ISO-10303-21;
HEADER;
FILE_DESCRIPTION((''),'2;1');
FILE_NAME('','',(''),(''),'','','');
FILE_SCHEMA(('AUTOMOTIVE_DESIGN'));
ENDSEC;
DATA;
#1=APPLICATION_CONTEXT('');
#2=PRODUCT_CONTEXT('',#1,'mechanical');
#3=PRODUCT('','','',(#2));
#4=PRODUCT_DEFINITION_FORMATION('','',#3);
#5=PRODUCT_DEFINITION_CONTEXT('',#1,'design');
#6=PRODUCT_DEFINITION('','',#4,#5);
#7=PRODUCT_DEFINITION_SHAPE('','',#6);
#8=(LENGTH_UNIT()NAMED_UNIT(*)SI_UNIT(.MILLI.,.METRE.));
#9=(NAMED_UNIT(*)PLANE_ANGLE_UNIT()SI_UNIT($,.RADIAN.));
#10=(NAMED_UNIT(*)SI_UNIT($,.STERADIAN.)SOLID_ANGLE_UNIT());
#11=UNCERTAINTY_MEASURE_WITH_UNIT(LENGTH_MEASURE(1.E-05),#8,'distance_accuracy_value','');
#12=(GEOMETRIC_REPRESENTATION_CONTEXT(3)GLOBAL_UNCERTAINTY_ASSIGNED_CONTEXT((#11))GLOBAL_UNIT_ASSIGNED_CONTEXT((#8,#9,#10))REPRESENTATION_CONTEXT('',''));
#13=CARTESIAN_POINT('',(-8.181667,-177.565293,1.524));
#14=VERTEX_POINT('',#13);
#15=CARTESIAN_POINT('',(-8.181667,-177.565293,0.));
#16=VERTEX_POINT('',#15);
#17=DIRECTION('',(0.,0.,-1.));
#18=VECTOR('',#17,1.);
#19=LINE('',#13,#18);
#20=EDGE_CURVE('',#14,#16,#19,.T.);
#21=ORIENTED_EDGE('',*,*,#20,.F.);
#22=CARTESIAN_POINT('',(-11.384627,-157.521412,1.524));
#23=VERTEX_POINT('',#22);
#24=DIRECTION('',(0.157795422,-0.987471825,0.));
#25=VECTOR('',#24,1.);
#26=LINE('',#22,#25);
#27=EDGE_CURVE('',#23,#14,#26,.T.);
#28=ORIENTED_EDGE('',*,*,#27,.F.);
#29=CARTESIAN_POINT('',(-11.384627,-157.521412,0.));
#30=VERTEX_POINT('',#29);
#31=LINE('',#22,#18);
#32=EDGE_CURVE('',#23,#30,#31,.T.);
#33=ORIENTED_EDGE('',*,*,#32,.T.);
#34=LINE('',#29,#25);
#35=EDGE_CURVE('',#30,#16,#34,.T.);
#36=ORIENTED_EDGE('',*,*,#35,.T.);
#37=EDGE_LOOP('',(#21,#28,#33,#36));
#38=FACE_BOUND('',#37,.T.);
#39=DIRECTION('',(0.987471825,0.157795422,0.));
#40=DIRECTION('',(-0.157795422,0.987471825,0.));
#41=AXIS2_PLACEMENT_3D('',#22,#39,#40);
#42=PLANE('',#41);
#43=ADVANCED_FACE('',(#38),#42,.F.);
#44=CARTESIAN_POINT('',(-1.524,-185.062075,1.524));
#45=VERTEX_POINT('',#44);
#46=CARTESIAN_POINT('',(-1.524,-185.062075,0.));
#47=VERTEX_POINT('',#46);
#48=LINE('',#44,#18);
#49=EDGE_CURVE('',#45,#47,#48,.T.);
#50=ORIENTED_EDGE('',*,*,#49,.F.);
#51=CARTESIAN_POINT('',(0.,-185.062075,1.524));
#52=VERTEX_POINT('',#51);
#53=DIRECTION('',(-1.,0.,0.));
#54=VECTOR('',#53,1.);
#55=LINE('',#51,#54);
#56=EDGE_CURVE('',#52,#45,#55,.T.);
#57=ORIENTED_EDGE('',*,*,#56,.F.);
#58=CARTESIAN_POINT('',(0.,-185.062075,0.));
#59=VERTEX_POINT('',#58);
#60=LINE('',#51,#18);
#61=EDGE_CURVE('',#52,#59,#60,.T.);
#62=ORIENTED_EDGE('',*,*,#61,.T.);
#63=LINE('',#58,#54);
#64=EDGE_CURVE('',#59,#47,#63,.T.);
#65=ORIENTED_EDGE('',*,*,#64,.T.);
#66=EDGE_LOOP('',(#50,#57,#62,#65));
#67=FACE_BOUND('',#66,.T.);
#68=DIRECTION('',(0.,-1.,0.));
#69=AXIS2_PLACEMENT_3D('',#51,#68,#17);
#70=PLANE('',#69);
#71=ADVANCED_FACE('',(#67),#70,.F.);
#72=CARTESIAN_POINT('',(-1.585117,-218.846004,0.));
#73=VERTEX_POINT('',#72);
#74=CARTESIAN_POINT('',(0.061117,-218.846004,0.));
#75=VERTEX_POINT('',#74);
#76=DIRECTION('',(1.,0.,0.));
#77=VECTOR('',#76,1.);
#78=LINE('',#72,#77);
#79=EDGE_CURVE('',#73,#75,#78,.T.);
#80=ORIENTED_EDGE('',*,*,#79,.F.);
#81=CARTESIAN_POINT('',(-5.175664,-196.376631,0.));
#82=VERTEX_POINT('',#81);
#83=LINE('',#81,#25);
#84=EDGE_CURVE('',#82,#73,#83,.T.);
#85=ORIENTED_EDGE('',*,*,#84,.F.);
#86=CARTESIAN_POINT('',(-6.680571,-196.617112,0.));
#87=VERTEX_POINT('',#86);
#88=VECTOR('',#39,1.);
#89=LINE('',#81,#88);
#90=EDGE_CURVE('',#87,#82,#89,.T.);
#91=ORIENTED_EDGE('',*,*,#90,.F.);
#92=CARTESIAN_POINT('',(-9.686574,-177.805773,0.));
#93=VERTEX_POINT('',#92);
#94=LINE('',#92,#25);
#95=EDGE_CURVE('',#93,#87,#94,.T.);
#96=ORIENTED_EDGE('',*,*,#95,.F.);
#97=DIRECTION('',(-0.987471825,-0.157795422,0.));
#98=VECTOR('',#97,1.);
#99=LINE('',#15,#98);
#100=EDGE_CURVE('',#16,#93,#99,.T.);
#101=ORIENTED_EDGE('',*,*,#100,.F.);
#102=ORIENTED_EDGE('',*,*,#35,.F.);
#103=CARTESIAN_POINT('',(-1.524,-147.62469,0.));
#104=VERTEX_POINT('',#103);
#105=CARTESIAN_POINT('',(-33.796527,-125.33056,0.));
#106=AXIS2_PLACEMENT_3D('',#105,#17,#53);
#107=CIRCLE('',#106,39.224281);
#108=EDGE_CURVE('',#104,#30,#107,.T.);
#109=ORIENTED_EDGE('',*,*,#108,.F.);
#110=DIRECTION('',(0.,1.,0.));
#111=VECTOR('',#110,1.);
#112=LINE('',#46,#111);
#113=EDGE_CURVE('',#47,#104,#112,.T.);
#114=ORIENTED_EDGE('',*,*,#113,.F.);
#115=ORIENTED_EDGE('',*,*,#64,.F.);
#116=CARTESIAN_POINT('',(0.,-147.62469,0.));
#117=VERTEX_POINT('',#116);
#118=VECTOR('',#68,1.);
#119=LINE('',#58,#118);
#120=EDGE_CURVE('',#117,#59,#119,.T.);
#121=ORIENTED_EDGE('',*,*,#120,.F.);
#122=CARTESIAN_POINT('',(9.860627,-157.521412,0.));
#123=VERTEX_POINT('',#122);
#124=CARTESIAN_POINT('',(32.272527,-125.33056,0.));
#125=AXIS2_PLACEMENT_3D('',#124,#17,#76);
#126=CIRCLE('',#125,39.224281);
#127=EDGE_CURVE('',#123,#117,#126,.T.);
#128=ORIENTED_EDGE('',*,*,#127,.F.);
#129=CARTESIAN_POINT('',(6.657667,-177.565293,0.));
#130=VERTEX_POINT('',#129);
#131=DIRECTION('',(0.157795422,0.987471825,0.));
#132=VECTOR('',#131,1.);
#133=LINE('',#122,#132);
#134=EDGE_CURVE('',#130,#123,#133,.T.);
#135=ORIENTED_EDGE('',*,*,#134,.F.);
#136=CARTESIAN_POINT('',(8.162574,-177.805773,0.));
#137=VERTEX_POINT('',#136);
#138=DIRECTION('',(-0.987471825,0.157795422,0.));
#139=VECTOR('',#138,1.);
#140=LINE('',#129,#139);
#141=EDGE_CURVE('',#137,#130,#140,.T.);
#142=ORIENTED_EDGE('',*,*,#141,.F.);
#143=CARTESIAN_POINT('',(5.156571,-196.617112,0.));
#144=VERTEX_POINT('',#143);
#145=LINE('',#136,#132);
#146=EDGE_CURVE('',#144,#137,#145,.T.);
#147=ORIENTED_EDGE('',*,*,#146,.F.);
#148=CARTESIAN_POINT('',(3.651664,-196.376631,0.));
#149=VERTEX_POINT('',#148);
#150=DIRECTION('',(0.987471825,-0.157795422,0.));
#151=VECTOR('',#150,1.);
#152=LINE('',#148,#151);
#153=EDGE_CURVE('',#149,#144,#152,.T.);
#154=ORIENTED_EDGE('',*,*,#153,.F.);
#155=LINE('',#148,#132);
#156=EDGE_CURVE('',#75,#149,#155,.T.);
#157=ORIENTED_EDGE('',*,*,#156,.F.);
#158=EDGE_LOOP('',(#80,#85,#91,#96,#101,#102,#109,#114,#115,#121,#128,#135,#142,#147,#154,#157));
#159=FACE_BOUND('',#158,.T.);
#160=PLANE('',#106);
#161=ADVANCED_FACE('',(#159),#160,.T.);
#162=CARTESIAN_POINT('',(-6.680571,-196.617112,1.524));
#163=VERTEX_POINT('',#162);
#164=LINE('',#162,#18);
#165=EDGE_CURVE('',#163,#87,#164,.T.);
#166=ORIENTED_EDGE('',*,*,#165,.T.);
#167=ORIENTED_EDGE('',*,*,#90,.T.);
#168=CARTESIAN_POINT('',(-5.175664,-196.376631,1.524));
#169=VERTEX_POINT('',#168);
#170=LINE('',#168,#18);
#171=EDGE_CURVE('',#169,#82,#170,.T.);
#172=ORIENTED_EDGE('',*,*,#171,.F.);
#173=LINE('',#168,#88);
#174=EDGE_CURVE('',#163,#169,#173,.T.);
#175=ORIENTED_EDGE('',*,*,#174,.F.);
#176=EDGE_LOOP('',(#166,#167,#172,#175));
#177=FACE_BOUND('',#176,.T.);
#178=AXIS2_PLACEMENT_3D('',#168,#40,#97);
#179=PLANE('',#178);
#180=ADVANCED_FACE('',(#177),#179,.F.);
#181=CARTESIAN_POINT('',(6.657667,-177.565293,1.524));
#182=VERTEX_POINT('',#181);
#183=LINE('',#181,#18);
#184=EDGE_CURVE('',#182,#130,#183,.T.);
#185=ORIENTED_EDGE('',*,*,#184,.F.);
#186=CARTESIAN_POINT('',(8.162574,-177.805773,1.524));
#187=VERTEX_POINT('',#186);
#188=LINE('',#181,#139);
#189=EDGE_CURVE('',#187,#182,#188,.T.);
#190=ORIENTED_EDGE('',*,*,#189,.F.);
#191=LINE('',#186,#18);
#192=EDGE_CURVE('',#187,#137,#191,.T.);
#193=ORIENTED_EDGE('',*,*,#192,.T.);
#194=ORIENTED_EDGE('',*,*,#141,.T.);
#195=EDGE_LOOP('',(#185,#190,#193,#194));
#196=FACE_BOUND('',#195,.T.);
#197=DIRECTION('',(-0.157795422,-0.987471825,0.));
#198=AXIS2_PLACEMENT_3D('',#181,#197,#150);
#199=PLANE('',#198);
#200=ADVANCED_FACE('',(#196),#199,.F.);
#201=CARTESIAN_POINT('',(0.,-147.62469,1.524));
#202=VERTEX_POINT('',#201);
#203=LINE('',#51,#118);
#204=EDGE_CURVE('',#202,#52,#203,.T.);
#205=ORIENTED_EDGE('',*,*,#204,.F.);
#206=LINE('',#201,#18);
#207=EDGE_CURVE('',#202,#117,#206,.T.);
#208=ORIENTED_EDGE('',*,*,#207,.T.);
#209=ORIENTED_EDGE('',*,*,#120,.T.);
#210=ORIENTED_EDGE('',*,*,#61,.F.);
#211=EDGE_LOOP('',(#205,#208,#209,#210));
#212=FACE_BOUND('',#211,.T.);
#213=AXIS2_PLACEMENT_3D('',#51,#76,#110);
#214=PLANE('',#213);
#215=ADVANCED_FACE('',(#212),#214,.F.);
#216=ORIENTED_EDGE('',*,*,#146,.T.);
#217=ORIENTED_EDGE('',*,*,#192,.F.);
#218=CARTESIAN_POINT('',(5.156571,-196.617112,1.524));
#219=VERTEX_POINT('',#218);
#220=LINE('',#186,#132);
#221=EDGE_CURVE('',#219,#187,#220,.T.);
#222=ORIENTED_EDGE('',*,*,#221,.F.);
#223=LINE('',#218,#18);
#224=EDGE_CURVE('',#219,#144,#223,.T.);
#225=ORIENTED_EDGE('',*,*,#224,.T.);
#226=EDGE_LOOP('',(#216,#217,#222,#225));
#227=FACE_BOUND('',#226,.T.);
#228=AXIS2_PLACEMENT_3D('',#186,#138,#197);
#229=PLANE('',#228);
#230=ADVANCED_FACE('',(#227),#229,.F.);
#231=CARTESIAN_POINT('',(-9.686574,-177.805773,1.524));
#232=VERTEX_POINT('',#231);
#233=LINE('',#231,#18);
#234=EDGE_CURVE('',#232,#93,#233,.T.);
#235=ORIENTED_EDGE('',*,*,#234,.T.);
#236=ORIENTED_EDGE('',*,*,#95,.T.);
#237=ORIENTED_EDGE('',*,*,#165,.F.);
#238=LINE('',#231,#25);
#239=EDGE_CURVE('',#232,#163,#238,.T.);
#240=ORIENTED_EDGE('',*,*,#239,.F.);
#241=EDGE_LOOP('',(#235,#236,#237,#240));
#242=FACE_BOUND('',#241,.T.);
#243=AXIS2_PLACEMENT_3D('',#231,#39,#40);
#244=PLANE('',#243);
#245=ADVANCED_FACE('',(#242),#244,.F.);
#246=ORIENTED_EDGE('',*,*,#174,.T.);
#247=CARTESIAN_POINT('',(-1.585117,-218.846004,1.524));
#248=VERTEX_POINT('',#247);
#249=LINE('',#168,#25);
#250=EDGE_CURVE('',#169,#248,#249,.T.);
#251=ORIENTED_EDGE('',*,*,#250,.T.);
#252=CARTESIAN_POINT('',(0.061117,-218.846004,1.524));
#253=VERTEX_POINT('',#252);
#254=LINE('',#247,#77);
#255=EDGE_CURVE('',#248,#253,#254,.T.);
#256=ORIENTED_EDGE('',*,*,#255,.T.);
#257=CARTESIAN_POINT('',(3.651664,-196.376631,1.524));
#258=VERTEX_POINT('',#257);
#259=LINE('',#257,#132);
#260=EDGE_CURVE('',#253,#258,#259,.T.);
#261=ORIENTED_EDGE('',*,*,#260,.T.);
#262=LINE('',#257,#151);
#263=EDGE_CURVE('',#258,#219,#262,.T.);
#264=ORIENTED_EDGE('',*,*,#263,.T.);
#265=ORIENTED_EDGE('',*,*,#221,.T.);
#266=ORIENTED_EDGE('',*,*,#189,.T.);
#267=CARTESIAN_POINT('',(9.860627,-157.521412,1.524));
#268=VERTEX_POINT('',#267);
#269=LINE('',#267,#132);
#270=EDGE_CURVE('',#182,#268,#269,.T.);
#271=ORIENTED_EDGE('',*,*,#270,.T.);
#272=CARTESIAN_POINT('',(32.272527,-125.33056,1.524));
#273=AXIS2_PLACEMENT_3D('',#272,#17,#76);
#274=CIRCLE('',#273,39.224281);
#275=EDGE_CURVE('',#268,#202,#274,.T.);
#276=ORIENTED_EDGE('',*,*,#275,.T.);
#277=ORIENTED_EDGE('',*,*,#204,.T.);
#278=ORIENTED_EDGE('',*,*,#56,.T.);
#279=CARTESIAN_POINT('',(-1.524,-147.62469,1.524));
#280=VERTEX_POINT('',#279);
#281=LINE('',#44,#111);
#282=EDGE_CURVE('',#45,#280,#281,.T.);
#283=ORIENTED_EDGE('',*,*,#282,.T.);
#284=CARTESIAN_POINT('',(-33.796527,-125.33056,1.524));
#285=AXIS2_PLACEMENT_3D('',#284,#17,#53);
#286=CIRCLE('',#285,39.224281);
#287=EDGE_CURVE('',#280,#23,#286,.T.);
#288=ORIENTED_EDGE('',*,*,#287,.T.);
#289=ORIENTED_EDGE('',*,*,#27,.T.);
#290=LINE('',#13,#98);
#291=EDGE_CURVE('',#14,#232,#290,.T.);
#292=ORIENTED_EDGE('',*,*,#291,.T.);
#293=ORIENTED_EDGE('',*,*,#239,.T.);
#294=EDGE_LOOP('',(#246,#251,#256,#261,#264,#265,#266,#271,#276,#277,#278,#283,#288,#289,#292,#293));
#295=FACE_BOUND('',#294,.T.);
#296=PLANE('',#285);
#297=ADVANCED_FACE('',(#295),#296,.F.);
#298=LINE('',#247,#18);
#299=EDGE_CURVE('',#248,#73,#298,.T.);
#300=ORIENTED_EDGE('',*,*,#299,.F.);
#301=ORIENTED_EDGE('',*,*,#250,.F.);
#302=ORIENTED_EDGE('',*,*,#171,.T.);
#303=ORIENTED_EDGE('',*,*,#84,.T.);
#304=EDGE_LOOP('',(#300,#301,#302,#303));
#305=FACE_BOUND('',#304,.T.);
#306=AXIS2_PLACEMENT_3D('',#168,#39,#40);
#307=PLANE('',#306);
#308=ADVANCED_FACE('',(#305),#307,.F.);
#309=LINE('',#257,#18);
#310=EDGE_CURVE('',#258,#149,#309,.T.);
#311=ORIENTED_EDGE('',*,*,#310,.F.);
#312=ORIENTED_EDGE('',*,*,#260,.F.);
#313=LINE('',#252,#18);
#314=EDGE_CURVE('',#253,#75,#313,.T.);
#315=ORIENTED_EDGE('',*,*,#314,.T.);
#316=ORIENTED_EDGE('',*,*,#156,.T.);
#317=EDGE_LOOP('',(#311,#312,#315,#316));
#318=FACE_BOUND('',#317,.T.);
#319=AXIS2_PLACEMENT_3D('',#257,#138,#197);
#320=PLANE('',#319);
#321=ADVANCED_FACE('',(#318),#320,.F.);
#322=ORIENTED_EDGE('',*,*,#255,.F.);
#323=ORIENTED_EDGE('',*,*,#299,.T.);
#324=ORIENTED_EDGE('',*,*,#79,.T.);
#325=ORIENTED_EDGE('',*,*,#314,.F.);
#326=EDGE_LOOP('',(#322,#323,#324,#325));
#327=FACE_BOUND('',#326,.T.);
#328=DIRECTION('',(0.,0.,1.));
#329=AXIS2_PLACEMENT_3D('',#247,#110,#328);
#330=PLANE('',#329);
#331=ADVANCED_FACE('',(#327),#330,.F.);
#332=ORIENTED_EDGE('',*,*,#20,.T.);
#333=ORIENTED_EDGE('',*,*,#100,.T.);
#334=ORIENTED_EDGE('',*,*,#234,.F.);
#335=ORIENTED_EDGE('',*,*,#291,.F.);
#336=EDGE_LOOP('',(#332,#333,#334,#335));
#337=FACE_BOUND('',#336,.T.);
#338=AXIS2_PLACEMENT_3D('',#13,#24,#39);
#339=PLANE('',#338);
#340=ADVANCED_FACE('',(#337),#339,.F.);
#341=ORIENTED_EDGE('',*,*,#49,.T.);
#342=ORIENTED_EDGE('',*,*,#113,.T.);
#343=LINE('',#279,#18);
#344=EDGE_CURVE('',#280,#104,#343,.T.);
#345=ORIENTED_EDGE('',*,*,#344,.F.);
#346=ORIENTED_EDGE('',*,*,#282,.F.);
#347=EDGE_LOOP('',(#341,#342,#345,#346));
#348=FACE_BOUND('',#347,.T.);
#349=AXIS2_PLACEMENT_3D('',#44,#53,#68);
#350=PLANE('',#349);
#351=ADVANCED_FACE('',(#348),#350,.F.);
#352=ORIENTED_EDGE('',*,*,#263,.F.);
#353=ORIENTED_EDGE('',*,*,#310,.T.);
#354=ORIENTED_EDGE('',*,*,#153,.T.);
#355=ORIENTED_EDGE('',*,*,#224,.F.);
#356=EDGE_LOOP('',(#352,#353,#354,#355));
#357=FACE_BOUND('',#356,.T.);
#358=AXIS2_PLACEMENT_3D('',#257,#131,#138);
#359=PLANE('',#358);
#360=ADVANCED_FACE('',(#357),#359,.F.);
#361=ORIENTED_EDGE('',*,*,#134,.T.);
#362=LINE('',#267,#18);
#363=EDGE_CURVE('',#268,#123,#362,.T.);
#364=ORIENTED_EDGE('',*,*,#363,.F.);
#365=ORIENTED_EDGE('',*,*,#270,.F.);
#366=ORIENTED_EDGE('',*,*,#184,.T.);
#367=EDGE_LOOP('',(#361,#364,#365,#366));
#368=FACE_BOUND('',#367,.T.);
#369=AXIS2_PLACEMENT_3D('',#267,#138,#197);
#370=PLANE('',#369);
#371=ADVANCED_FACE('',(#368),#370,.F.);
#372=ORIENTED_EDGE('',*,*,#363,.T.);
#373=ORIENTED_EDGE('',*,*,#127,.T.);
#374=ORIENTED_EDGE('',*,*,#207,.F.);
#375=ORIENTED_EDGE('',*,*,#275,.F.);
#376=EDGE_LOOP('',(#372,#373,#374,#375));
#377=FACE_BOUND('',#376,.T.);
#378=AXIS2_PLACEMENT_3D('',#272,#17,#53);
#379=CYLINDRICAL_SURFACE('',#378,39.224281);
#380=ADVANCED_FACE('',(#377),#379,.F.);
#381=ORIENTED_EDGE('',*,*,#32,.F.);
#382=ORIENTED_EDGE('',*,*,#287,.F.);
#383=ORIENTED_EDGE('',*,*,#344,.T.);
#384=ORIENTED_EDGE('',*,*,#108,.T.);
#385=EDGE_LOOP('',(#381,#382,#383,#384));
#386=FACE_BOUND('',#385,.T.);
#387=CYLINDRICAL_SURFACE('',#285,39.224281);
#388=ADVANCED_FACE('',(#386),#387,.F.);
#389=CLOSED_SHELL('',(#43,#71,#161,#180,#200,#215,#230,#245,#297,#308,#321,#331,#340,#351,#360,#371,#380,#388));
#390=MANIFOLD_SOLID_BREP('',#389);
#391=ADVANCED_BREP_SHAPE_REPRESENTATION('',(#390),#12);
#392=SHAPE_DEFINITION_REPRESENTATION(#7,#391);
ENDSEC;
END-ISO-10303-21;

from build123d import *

# Parameters (mm, degrees)
BOSS_EXTRUDE1_DEPTH = 1.524


with BuildPart() as part:
    # Sketch1 → Boss-Extrude1 (new body)
    with BuildSketch(Plane.XY):
        with BuildLine():
            Line((0, -185.062075144), (-1.524, -185.062075144))
            Line((-1.524, -185.062075144), (-1.524, -147.624689716))
            ThreePointArc((-1.524, -147.624689716), (-6.010146882, -153.015597415), (-11.384626883, -157.521411923))
            Line((-11.384626883, -157.521411923), (-8.18166696, -177.565293098))
            Line((-8.18166696, -177.565293098), (-9.686574021, -177.80577332))
            Line((-9.686574021, -177.80577332), (-6.680571239, -196.617111584))
            Line((-6.680571239, -196.617111584), (-5.175664178, -196.376631362))
            Line((-5.175664178, -196.376631362), (-1.585117021, -218.846004156))
            Line((-1.585117021, -218.846004156), (0.061117021, -218.846004156))
            Line((0.061117021, -218.846004156), (3.651664178, -196.376631362))
            Line((3.651664178, -196.376631362), (5.156571239, -196.617111584))
            Line((5.156571239, -196.617111584), (8.162574021, -177.80577332))
            Line((8.162574021, -177.80577332), (6.65766696, -177.565293098))
            Line((6.65766696, -177.565293098), (9.860626883, -157.521411923))
            ThreePointArc((9.860626883, -157.521411923), (4.486146882, -153.015597415), (0, -147.624689716))
            Line((0, -147.624689716), (0, -185.062075144))
        make_face()
    extrude(amount=BOSS_EXTRUDE1_DEPTH)


solid = part.part
